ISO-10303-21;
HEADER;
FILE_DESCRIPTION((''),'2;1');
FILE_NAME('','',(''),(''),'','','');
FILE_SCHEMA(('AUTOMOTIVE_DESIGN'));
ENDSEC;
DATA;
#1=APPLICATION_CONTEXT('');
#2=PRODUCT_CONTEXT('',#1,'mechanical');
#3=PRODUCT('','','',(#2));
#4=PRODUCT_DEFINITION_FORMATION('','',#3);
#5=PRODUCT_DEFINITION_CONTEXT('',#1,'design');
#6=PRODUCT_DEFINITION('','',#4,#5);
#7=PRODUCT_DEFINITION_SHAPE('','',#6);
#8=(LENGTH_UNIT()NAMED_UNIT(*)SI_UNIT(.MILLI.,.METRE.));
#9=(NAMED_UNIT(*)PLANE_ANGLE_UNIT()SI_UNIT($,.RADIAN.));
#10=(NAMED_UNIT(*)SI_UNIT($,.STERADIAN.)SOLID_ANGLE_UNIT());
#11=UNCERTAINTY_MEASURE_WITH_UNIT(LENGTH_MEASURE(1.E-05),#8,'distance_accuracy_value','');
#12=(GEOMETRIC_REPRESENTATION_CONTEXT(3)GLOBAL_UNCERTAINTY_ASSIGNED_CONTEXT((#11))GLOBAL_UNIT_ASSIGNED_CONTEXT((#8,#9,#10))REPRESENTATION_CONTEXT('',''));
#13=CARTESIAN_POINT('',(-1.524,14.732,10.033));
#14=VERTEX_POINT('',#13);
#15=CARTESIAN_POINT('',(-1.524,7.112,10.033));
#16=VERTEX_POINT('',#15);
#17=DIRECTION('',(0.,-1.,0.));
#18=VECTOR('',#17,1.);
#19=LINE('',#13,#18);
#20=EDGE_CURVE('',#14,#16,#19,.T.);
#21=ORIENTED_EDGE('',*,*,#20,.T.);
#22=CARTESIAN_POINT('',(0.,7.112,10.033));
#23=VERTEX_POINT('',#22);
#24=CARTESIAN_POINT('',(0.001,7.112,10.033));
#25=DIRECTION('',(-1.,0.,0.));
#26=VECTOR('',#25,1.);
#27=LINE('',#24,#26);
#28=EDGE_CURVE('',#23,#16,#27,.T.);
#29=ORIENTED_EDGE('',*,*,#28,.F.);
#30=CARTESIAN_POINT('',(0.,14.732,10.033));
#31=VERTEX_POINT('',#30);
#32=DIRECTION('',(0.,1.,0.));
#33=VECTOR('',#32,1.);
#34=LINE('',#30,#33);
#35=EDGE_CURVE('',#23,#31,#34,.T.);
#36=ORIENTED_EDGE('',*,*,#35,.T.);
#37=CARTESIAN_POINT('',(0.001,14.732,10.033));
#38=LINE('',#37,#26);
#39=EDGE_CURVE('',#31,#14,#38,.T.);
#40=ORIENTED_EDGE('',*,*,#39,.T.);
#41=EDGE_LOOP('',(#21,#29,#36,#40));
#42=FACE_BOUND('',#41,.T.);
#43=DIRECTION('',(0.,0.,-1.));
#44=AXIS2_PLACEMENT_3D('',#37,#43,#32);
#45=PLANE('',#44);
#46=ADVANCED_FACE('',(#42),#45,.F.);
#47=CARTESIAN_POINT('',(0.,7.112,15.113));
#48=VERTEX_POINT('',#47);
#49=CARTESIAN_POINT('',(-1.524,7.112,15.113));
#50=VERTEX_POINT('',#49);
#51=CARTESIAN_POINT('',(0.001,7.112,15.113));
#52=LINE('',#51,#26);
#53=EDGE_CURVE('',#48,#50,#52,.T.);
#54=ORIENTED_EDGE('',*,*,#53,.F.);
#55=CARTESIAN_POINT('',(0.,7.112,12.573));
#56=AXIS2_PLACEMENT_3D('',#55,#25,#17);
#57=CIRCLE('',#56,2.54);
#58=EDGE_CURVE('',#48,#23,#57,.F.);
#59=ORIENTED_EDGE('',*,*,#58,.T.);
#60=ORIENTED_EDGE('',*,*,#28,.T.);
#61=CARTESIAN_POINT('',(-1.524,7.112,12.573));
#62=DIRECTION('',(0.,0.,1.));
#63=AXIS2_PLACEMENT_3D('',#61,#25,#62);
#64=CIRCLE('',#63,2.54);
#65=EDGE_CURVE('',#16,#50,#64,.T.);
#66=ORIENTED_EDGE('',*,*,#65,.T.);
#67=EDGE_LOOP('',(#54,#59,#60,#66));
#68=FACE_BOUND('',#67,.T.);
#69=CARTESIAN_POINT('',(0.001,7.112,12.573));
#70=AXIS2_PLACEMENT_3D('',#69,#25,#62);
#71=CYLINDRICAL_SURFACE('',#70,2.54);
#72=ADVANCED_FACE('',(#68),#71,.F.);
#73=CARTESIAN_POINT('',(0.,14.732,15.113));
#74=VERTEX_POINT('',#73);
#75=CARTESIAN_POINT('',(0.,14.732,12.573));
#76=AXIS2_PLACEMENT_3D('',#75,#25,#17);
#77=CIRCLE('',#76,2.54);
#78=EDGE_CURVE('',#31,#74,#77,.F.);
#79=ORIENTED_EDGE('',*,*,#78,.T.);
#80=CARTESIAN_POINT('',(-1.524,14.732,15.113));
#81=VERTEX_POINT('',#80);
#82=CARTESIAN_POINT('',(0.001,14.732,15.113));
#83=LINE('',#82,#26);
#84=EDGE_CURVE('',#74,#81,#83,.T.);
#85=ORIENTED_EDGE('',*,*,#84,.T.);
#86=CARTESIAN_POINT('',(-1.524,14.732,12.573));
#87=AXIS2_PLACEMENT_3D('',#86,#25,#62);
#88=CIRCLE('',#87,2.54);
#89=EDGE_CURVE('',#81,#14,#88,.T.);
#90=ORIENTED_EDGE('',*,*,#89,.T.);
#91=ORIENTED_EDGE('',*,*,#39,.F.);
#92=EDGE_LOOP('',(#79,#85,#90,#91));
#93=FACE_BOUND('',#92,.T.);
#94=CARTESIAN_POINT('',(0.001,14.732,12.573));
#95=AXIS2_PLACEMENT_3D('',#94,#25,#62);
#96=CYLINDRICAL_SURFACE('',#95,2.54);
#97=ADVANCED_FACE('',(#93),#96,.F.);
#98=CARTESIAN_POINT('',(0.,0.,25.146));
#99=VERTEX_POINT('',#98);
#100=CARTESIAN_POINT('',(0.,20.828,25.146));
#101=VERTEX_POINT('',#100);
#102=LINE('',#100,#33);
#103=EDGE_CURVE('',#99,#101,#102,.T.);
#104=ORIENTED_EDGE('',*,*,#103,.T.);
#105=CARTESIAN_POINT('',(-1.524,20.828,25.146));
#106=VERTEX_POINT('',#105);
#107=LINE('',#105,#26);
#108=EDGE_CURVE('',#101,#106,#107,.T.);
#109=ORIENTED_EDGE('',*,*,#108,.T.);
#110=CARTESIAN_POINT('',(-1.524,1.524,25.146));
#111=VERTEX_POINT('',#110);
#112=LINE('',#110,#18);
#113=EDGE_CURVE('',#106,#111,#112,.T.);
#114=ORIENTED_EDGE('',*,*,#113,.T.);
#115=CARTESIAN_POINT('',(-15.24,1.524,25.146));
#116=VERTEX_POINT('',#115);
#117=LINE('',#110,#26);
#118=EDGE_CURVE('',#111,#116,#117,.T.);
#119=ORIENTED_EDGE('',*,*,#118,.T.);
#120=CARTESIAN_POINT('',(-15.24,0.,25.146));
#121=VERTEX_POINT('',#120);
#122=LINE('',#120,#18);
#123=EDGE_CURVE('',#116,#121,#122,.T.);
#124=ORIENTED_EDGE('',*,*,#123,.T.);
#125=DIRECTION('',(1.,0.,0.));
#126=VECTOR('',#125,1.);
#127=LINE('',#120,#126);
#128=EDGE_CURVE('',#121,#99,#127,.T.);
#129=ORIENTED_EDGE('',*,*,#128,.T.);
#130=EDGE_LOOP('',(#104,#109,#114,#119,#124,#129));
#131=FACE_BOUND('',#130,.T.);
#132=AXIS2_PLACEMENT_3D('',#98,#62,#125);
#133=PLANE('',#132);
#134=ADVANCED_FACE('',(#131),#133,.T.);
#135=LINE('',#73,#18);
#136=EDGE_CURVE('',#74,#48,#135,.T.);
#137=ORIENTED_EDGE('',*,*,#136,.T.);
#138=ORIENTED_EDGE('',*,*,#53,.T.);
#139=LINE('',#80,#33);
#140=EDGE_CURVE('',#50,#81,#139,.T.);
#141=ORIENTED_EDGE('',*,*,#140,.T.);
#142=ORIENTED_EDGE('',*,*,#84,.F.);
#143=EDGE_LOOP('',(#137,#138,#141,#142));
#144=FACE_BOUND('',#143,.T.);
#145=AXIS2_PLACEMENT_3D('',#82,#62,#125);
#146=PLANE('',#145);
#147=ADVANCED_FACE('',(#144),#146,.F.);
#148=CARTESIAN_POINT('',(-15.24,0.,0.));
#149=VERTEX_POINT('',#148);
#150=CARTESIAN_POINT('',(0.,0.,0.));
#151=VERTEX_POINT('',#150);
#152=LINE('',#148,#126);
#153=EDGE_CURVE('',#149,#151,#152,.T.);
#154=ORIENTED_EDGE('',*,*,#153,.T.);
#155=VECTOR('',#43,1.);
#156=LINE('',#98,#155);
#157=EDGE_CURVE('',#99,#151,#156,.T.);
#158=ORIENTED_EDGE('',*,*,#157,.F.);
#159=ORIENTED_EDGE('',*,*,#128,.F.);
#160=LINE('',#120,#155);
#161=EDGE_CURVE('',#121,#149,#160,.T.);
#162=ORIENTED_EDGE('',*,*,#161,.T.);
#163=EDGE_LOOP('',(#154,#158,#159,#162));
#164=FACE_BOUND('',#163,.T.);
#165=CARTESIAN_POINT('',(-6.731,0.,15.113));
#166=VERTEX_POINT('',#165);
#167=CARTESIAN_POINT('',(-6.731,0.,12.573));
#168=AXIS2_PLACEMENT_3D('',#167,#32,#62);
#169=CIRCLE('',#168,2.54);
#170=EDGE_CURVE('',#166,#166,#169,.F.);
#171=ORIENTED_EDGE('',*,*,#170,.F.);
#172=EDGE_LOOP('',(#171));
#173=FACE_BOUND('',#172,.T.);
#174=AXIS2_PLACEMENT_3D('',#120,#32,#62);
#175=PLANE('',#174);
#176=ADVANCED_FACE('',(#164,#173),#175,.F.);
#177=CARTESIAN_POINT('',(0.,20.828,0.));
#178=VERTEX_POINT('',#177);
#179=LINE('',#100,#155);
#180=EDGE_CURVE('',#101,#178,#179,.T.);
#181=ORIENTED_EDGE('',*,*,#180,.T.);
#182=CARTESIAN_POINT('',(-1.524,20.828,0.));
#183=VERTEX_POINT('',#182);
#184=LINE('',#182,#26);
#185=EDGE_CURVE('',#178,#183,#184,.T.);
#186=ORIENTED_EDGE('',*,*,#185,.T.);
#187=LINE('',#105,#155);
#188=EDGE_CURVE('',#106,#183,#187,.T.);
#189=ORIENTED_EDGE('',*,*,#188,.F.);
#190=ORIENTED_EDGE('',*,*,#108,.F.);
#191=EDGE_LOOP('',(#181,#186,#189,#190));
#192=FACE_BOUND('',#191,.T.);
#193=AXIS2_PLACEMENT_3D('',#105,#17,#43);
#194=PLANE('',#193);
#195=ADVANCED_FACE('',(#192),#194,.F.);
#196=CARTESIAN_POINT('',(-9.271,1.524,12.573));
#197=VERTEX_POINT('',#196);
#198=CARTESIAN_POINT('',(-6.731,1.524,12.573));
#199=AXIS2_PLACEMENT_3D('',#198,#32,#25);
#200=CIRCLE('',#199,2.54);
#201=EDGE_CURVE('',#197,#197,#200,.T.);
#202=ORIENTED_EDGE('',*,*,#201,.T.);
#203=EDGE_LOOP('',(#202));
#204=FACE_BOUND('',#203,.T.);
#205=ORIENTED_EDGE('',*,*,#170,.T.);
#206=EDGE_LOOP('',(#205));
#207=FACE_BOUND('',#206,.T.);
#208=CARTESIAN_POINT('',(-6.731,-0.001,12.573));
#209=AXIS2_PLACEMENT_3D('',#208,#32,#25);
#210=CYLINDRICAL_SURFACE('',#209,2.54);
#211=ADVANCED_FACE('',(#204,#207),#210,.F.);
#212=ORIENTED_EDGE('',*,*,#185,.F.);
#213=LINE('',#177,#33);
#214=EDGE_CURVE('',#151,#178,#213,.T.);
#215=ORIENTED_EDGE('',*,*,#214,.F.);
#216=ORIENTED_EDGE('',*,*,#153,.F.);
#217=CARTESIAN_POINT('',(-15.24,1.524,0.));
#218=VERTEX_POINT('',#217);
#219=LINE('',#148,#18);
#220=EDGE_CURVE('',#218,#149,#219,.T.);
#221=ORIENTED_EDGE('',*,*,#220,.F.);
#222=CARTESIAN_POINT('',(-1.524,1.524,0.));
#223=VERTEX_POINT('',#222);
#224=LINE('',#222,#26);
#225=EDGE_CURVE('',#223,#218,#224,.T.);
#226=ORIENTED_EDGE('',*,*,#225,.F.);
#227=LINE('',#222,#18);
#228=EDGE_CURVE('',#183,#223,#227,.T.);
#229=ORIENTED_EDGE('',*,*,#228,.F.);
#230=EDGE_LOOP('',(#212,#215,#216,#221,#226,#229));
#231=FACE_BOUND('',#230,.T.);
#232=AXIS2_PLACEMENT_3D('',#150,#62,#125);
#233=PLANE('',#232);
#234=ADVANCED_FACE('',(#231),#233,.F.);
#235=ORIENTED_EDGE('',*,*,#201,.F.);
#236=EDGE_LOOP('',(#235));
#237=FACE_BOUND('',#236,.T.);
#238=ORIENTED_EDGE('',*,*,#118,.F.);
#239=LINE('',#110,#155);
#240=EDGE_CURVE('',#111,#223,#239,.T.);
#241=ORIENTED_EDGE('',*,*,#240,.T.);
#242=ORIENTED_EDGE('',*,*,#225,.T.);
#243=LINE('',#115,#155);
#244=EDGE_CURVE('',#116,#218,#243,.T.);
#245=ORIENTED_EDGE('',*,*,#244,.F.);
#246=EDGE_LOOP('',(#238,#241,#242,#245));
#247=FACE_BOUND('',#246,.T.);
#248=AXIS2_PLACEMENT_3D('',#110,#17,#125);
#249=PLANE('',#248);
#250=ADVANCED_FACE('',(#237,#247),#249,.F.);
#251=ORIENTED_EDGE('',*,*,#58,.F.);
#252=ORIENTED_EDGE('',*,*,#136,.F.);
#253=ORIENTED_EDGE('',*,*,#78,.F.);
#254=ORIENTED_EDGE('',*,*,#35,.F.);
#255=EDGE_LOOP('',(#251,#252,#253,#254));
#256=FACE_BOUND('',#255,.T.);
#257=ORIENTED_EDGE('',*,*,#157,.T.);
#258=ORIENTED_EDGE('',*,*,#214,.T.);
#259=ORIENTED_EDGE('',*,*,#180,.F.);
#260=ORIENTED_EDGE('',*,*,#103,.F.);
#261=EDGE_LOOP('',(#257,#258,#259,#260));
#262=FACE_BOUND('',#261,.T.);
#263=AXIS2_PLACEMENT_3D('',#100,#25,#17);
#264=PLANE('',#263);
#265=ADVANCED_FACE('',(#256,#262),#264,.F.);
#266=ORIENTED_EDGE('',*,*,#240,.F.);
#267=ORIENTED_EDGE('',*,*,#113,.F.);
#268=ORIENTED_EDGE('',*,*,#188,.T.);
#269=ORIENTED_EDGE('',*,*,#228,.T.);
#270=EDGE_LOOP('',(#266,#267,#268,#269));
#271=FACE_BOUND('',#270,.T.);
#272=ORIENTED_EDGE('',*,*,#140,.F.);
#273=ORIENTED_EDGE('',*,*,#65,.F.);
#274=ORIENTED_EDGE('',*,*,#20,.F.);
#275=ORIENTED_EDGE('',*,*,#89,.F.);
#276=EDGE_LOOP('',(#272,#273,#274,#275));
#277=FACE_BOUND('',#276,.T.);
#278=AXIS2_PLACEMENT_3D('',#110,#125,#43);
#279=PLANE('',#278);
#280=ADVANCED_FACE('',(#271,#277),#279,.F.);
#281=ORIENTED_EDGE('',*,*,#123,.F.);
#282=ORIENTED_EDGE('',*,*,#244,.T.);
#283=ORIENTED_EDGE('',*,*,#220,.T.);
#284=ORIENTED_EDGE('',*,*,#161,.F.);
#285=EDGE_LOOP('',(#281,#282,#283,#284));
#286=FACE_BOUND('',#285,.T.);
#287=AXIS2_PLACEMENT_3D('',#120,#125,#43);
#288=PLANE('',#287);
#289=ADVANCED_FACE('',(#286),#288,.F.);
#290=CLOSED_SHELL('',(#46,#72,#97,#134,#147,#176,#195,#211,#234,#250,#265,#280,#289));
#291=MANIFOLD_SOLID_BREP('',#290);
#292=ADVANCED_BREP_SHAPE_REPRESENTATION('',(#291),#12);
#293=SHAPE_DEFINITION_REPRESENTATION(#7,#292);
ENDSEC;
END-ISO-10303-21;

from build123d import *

# Parameters (mm, degrees)
BOSS_EXTRUDE2_DEPTH = 25.146
CUT_EXTRUDE1_REACH  = 37.415
CUT_EXTRUDE2_REACH  = 37.174
SKETCH4_R           = 2.54


with BuildPart() as part:
    # Sketch1 → Boss-Extrude2 (new body)
    with BuildSketch(Plane.XY):
        Polygon((-15.24, 0), (0, 0), (0, 20.828), (-1.524, 20.828), (-1.524, 1.524), (-15.24, 1.524), align=None)
    extrude(amount=BOSS_EXTRUDE2_DEPTH)

    # Sketch3 → Cut-Extrude1 (cut, up to next)
    with BuildSketch(Plane.ZY.offset(1.524), mode=Mode.PRIVATE) as cut_extrude1_sk1:
        with BuildLine():
            Line((15.113, 14.732), (15.113, 7.112))
            ThreePointArc((15.113, 7.112), (12.573, 4.572), (10.033, 7.112))
            Line((10.033, 7.112), (10.033, 14.732))
            ThreePointArc((10.033, 14.732), (12.573, 17.272), (15.113, 14.732))
        make_face()
    cut_extrude1_tool1 = extrude(cut_extrude1_sk1.sketch, amount=-CUT_EXTRUDE1_REACH, mode=Mode.PRIVATE) & part.part
    add(cut_extrude1_tool1.solids().sort_by_distance((-1.524, 10.922, 12.573))[0], mode=Mode.SUBTRACT)

    # Sketch4 → Cut-Extrude2 (cut, up to next)
    with BuildSketch(Plane(origin=(0, 1.524, 0), x_dir=(1, 0, 0), z_dir=(0, 1, 0)), mode=Mode.PRIVATE) as cut_extrude2_sk1:
        with Locations(Location((-6.731, -12.573, 0), (0, 0, 180))):
            Circle(SKETCH4_R)
    cut_extrude2_tool1 = extrude(cut_extrude2_sk1.sketch, amount=-CUT_EXTRUDE2_REACH, mode=Mode.PRIVATE) & part.part
    add(cut_extrude2_tool1.solids().sort_by_distance((-6.731, 1.524, 12.573))[0], mode=Mode.SUBTRACT)


solid = part.part
